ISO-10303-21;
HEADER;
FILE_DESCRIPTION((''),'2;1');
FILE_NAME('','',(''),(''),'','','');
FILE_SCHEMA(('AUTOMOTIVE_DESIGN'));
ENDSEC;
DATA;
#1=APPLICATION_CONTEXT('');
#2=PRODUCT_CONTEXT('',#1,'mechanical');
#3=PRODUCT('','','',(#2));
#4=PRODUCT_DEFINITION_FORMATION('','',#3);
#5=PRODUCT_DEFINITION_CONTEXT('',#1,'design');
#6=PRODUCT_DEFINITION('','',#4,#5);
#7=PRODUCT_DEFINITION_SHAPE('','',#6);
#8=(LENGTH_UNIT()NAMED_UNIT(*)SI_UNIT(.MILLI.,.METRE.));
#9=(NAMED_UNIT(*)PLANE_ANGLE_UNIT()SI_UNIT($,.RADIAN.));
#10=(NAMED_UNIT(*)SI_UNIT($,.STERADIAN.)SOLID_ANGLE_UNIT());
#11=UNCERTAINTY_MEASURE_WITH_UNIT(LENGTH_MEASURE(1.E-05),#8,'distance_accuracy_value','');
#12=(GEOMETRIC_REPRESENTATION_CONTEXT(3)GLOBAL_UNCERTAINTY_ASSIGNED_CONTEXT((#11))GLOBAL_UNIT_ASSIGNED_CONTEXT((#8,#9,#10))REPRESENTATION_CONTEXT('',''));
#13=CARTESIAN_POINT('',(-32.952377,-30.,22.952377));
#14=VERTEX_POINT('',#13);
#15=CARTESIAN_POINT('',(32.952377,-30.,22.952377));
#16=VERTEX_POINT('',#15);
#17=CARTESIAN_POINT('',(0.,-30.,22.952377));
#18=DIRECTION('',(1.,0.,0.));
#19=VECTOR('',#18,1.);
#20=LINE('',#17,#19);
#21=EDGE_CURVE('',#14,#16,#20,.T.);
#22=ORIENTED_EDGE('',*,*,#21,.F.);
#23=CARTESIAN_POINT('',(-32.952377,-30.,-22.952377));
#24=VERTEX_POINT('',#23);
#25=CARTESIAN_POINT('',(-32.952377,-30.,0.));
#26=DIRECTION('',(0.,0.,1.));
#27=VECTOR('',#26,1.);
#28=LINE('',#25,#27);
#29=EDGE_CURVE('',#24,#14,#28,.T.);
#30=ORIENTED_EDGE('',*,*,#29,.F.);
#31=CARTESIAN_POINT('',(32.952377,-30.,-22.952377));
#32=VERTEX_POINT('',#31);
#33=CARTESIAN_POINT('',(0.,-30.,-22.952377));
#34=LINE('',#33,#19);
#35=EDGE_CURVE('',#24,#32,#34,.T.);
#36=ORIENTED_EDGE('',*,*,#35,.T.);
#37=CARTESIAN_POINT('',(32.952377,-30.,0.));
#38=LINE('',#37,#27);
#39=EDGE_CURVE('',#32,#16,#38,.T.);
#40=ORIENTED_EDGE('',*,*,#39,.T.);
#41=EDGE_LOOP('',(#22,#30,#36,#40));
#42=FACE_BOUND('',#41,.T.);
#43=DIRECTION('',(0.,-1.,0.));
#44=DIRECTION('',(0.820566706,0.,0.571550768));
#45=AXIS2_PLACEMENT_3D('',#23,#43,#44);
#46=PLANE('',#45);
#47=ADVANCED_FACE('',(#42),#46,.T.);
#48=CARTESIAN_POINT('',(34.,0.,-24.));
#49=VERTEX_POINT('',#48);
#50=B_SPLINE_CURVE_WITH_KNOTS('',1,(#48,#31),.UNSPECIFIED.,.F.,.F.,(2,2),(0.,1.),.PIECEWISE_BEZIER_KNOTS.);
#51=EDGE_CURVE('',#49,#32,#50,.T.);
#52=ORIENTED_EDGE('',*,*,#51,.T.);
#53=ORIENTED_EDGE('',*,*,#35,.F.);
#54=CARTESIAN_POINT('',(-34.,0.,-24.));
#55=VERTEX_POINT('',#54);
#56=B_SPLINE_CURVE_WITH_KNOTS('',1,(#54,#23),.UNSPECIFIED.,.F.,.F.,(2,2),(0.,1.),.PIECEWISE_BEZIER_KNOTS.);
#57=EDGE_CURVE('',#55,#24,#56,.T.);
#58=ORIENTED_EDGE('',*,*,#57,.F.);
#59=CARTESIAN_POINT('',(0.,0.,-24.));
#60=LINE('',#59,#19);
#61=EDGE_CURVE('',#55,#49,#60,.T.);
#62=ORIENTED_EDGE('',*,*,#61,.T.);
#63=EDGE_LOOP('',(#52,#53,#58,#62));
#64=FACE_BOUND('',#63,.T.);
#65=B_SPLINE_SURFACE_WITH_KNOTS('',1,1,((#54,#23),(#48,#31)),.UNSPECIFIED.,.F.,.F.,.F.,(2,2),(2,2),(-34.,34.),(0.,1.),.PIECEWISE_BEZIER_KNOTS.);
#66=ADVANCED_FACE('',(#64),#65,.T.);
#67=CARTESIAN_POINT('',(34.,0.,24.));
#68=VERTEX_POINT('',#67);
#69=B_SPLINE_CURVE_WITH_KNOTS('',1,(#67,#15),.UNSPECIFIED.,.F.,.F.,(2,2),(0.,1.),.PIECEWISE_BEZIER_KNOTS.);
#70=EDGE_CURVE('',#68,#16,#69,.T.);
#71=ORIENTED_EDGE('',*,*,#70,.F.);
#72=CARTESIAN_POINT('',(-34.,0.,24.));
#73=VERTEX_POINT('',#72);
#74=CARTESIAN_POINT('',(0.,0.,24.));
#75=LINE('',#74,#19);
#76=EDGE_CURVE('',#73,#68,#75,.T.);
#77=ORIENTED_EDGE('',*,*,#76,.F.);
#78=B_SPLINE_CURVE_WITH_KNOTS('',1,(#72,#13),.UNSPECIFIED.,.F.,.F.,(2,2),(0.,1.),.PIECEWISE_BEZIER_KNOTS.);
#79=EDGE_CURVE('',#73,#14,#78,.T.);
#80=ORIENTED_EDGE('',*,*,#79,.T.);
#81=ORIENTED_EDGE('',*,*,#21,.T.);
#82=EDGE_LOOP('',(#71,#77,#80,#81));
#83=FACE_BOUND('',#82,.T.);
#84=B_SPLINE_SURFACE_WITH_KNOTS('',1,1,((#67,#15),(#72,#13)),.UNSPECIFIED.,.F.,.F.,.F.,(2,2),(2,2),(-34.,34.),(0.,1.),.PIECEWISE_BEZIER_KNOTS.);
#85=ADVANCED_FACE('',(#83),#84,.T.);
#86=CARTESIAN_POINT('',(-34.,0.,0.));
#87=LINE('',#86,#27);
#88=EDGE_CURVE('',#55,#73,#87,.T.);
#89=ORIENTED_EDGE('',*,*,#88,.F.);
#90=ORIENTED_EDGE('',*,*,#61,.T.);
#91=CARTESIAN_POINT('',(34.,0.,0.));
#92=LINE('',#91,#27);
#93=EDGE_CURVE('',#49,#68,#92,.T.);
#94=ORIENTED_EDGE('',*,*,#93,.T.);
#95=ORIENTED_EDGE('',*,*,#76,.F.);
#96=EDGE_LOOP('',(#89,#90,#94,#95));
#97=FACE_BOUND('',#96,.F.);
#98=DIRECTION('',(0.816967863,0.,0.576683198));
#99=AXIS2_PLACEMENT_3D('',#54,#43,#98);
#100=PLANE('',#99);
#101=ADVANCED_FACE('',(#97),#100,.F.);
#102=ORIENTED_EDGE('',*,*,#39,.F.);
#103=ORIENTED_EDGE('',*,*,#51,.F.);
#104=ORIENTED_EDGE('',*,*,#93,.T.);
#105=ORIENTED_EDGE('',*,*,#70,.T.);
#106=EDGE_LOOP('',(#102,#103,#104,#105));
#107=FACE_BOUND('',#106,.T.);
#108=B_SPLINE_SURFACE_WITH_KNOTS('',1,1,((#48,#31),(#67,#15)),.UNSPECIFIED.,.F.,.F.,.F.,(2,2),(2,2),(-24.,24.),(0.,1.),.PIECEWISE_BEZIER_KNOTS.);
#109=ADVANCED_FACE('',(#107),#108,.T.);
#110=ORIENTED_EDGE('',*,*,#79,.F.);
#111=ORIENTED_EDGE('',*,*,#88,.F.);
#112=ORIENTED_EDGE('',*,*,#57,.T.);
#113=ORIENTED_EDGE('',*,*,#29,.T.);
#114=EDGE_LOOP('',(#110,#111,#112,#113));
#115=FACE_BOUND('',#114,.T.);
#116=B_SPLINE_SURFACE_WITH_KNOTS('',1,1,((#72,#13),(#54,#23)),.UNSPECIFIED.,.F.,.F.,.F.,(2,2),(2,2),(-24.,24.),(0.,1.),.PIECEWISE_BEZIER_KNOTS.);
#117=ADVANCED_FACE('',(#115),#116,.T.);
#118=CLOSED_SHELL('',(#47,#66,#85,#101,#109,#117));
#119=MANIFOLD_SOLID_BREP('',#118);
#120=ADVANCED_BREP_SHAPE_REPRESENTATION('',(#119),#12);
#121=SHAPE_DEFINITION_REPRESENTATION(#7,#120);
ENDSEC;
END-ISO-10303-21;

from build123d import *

# Parameters (mm, degrees)
F0_W     = 68
F0_H     = 48
F1_DEPTH = 30
F1_TAPER = 2


with BuildPart() as f1:
    # F0 (on Front) → F1 (new body)
    with BuildSketch(Plane.XZ):
        Rectangle(F0_W, F0_H)
    extrude(amount=F1_DEPTH, taper=F1_TAPER)


solid = f1.part
